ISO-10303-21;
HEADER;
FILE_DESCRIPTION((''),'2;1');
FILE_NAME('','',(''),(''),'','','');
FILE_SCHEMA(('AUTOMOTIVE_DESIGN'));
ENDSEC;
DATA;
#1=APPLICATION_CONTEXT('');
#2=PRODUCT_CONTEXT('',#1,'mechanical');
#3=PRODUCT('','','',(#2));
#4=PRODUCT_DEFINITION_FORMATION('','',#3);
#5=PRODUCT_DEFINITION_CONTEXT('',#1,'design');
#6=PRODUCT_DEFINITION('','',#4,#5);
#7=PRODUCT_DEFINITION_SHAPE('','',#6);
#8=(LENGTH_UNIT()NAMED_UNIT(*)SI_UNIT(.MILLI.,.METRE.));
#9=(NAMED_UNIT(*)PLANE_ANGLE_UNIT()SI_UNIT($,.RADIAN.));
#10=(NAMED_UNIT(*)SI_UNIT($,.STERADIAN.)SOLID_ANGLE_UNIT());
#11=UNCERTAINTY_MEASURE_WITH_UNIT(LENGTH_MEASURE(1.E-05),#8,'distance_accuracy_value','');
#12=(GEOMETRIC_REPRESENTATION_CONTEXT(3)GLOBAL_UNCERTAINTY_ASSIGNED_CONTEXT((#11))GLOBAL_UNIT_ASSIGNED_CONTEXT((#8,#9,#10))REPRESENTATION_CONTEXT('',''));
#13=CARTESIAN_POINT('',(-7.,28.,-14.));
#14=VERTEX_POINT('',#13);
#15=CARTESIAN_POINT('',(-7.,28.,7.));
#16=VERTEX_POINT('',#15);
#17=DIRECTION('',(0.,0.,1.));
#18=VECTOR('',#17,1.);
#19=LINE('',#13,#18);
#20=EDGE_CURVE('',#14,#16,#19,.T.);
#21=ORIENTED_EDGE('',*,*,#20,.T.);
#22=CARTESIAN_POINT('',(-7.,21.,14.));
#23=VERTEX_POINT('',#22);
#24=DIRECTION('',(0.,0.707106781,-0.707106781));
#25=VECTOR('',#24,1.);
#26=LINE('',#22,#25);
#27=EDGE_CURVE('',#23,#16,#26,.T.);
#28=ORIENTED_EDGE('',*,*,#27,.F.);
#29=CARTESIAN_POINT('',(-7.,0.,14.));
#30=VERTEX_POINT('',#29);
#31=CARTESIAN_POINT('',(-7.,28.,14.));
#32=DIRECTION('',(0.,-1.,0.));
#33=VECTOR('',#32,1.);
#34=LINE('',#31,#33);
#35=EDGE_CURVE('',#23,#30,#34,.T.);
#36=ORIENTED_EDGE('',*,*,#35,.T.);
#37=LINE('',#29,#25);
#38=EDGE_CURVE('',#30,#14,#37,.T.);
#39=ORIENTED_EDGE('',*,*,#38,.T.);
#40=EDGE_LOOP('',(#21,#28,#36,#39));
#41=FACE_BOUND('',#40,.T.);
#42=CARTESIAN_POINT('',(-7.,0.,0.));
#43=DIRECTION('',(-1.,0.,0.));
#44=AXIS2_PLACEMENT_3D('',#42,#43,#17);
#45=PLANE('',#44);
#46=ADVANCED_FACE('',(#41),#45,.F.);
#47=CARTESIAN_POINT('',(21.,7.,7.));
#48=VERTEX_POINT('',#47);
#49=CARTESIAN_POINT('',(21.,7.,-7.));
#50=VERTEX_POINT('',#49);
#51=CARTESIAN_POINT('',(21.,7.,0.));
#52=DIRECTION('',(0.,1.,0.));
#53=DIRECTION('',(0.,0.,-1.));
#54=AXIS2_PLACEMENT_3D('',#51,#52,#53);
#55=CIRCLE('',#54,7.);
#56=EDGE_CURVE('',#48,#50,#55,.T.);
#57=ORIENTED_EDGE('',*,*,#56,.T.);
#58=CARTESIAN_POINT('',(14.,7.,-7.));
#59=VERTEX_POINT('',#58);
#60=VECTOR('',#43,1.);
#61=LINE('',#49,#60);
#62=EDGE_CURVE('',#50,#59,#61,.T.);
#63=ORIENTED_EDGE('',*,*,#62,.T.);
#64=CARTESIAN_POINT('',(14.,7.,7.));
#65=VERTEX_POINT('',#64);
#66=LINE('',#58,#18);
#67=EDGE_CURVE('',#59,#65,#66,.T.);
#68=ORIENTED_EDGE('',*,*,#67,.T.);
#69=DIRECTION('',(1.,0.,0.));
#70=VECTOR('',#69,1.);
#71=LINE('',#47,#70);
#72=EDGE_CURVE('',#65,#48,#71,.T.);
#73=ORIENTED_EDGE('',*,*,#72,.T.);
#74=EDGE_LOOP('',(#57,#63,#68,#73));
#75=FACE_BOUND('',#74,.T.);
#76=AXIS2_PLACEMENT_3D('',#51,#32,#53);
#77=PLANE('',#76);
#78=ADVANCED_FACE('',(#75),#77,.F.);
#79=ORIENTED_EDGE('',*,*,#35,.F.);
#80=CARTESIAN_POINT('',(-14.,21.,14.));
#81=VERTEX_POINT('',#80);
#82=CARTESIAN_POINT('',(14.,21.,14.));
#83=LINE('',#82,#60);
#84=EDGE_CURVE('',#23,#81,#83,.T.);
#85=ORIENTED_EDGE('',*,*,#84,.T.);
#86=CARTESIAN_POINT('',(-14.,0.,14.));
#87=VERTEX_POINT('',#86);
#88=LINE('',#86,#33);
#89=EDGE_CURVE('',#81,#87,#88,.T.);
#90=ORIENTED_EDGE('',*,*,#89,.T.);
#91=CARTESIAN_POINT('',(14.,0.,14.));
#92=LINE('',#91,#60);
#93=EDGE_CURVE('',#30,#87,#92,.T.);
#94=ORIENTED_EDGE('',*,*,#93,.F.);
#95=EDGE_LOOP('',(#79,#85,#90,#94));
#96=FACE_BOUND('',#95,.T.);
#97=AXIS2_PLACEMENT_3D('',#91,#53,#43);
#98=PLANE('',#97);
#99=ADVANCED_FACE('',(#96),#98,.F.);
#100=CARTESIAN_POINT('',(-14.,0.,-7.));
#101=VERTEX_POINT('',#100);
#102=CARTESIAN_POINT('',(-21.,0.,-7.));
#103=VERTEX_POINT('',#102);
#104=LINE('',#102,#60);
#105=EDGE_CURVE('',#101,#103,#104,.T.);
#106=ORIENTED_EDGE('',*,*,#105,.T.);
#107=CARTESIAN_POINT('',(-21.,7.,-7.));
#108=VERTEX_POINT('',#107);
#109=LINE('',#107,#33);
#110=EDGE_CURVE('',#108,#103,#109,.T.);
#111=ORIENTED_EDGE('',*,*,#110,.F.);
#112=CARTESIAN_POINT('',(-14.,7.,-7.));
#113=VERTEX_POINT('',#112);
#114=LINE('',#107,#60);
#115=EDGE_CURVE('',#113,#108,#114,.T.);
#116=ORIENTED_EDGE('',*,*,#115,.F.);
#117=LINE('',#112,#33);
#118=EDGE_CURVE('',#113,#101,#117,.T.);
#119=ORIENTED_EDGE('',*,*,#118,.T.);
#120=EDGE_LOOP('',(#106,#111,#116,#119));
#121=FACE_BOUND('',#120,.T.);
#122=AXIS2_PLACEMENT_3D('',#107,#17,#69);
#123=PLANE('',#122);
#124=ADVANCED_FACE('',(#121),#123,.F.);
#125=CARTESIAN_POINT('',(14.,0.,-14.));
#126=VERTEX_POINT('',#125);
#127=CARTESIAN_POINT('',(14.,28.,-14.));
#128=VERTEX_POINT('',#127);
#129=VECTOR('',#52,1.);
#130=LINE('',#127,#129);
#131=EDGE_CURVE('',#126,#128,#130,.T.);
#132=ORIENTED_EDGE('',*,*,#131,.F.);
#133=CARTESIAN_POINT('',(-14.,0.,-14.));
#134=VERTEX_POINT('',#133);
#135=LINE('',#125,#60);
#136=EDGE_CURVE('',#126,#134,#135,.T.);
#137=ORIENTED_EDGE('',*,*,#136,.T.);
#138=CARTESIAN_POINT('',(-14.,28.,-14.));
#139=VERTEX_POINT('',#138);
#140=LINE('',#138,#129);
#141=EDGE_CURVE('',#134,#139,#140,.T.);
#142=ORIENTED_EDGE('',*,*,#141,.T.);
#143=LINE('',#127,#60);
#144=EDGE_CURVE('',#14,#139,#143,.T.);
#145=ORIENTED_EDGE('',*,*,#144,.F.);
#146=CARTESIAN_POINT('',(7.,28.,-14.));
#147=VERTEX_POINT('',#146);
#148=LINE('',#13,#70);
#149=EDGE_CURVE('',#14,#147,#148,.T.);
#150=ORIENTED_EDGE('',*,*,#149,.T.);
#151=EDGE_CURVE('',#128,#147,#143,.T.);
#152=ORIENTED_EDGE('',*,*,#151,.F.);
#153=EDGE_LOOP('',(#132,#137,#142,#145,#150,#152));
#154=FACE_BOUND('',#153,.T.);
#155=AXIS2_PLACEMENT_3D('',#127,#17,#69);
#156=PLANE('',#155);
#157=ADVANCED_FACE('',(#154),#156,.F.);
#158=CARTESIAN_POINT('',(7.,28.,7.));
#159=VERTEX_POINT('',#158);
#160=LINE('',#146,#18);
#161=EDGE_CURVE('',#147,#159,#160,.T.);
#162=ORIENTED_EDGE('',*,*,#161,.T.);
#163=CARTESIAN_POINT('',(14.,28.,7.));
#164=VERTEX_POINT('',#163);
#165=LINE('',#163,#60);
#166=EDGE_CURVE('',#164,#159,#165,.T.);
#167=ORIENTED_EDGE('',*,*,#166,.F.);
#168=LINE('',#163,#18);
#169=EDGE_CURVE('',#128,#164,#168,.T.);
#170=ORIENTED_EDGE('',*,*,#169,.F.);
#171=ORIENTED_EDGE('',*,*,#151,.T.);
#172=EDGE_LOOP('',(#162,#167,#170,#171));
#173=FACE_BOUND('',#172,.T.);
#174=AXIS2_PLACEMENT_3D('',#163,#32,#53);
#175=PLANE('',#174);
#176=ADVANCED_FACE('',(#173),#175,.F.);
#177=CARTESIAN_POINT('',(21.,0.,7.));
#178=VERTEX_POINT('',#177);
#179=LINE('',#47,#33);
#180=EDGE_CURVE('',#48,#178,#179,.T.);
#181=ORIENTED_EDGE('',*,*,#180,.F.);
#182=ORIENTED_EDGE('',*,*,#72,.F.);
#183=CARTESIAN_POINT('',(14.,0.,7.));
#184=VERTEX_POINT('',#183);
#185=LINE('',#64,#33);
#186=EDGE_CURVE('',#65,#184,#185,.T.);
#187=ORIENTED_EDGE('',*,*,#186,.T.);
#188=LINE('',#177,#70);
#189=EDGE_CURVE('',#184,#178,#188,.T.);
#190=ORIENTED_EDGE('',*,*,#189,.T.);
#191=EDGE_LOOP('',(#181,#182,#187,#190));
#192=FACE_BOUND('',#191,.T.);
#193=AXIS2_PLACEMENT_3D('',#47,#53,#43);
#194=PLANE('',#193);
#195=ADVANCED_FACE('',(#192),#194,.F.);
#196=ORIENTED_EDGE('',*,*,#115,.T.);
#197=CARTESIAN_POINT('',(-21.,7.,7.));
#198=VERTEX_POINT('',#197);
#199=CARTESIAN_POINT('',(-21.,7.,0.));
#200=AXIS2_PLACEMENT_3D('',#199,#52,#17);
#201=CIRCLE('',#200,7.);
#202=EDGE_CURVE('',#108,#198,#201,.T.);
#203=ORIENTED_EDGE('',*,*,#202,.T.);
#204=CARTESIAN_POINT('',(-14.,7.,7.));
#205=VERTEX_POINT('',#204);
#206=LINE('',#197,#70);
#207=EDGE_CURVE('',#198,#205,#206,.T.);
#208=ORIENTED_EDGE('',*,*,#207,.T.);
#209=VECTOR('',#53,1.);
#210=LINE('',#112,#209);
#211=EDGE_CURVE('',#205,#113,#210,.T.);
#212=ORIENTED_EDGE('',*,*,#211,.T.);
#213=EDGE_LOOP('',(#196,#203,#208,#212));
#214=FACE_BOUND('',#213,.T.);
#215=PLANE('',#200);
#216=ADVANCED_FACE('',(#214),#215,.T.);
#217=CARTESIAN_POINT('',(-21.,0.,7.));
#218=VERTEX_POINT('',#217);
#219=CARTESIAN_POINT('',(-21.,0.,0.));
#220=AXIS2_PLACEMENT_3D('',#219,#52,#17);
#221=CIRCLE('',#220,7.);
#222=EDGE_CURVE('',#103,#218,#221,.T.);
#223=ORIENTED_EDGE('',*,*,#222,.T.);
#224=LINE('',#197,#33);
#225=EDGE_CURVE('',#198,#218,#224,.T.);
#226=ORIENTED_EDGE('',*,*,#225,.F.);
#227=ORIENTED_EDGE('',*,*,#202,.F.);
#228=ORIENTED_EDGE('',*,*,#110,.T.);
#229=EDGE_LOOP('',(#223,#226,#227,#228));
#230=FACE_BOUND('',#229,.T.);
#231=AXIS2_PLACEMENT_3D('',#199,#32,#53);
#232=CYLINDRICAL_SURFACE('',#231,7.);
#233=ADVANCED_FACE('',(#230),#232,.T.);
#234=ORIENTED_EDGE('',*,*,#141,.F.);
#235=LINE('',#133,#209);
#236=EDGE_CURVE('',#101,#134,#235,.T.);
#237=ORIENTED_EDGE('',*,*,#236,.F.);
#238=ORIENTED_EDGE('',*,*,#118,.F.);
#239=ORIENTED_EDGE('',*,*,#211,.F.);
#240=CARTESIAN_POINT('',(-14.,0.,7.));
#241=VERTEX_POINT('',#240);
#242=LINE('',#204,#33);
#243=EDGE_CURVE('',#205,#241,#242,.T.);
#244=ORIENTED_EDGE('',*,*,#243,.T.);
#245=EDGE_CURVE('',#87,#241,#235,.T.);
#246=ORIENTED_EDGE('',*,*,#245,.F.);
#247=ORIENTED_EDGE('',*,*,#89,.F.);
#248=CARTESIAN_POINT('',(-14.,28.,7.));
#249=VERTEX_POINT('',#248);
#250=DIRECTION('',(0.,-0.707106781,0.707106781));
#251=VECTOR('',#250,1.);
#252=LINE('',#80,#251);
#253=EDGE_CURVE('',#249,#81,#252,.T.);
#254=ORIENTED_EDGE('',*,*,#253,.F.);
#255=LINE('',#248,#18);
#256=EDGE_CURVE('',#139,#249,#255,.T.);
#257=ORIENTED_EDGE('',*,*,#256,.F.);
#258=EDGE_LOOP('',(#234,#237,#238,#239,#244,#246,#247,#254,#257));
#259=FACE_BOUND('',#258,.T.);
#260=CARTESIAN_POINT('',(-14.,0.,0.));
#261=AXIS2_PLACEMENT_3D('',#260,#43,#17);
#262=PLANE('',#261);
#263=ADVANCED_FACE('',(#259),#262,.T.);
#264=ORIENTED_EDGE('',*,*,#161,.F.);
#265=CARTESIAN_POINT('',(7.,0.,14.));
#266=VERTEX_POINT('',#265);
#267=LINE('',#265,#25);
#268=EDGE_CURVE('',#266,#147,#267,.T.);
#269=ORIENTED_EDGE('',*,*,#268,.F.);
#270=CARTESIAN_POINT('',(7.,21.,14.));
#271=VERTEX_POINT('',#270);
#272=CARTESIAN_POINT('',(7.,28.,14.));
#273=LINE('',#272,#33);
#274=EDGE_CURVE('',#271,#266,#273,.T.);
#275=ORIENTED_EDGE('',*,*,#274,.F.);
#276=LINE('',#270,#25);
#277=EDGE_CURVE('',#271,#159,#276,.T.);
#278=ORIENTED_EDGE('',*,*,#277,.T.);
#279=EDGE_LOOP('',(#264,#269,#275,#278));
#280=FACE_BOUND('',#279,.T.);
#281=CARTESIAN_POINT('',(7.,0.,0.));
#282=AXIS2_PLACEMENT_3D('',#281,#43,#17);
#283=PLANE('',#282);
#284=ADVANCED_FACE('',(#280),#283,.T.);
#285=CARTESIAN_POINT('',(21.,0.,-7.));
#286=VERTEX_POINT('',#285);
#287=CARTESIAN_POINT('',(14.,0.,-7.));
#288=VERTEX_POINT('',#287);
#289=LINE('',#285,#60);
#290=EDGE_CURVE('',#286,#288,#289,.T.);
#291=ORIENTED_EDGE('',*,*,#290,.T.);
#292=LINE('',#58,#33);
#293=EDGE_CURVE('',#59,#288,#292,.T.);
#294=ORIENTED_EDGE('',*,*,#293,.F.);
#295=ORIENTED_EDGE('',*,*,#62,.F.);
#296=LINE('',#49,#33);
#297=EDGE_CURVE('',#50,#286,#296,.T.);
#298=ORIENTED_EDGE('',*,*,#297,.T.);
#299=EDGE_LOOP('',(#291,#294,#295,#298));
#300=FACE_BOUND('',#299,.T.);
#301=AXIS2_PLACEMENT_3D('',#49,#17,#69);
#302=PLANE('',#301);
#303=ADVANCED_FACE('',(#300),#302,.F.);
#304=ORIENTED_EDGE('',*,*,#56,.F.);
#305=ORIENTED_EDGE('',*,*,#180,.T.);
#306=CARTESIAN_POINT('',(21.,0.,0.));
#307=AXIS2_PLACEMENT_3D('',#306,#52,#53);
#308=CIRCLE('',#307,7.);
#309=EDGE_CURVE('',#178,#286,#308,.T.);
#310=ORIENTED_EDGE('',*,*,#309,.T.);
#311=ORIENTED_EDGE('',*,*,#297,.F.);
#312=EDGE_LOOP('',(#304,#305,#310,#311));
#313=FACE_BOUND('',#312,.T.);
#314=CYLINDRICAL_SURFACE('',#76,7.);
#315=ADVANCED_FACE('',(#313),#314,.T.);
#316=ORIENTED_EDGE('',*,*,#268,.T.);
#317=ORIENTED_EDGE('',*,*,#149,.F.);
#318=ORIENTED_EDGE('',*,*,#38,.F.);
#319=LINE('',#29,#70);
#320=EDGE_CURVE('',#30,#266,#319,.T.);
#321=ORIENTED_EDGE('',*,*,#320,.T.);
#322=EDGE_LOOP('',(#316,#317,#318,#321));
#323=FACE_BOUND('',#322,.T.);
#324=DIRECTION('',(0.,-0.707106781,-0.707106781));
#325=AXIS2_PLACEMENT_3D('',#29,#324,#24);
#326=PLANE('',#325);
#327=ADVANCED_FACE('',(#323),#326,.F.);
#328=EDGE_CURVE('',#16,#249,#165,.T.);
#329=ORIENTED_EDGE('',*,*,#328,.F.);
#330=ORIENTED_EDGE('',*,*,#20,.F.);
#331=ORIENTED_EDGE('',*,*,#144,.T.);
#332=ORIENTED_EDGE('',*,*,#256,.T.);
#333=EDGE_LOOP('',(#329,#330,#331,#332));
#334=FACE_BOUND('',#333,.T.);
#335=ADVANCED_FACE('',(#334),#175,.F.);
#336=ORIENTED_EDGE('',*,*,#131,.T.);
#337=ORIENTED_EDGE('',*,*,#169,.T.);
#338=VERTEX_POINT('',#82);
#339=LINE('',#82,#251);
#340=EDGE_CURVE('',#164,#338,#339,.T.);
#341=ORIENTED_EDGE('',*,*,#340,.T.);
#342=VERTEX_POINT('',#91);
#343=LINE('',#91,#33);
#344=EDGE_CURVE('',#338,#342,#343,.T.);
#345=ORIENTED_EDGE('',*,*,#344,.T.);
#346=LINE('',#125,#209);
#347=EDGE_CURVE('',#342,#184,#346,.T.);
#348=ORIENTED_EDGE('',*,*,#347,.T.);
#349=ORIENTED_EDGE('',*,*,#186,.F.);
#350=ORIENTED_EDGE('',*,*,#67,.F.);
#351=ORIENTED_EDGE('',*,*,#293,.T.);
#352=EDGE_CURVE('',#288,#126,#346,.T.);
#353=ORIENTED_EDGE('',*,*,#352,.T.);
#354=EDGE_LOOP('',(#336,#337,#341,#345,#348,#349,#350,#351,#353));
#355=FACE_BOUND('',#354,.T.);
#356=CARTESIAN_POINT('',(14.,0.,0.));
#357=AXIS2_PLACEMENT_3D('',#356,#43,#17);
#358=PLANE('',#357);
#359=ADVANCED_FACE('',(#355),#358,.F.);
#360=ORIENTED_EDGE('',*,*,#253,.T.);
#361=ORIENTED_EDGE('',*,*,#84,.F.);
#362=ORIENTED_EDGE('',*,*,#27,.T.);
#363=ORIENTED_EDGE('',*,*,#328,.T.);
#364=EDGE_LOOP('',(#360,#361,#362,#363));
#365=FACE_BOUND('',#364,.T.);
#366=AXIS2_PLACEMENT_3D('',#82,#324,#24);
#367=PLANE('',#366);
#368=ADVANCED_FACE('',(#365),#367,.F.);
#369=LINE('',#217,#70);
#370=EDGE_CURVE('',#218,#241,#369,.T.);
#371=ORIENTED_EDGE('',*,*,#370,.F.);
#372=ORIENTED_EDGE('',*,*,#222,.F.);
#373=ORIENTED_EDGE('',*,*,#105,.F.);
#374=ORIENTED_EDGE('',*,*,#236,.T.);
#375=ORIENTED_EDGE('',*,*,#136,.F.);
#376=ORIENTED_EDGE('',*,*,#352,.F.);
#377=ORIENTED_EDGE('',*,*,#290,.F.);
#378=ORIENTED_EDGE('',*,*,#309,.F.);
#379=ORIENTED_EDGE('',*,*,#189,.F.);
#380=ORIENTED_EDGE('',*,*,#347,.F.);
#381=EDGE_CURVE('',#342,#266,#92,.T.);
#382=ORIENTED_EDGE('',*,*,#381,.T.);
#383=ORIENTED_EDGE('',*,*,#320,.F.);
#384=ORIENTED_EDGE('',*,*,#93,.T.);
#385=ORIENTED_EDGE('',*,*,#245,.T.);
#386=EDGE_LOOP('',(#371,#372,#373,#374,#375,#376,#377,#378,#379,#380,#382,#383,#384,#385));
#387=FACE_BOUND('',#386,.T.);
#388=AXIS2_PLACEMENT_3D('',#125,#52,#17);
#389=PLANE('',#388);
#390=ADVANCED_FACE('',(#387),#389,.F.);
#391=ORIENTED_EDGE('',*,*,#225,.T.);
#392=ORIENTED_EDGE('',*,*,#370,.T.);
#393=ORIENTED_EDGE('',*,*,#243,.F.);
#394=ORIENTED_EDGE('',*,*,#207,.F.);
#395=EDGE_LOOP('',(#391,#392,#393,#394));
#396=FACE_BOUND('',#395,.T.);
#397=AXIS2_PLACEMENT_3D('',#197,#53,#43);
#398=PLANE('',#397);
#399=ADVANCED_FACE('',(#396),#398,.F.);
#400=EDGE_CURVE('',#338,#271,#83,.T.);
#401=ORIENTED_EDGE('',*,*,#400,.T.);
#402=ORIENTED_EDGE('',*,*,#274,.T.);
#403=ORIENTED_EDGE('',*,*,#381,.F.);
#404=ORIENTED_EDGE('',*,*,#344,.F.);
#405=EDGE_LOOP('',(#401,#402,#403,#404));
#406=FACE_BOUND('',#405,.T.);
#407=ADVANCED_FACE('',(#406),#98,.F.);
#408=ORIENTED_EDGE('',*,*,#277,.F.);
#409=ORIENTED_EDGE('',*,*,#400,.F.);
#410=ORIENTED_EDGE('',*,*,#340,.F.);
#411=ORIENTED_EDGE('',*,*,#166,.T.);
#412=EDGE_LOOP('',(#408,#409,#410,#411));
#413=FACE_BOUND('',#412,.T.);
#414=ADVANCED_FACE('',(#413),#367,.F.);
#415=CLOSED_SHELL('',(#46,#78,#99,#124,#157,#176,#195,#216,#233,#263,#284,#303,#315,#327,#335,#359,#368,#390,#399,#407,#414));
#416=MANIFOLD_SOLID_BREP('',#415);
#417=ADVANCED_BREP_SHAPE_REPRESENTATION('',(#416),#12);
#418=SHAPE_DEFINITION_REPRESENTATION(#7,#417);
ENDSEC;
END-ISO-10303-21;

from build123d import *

# Parameters (mm, degrees)
EXTRUDE_1_DEPTH     = 14
CUT_EXTRUDE_1_DEPTH = 7
EXTRUDE_2_DEPTH     = 7


with BuildPart() as part:
    # 스케치1 → 보스-돌출1 (new body, symmetric)
    with BuildSketch(Plane(origin=(0, 0, 0), x_dir=(0, 0, -1), z_dir=(1, 0, 0))):
        Polygon((14, 0), (-14, 0), (-14, 21), (-7, 28), (14, 28), align=None)
    extrude(amount=EXTRUDE_1_DEPTH, both=True)

    # 스케치2 → 컷-돌출1 (cut, symmetric)
    with BuildSketch(Plane(origin=(0, 0, 0), x_dir=(0, 0, -1), z_dir=(1, 0, 0))):
        Polygon((-14, 0), (14, 28), (-14, 28), align=None)
    extrude(amount=CUT_EXTRUDE_1_DEPTH, both=True, mode=Mode.SUBTRACT)

    # 스케치3 → 보스-돌출2 (add)
    with BuildSketch(Plane(origin=(0, 0, 0), x_dir=(1, 0, 0), z_dir=(0, 1, 0))):
        with BuildLine():
            Line((-21, 7), (-14, 7))
            Line((-14, 7), (-14, -7))
            Line((-14, -7), (-21, -7))
            ThreePointArc((-21, -7), (-28, 0), (-21, 7))
        make_face()
        with BuildLine():
            Line((14, 7), (14, -7))
            Line((14, -7), (21, -7))
            ThreePointArc((21, -7), (28, 0), (21, 7))
            Line((21, 7), (14, 7))
        make_face()
    extrude(amount=EXTRUDE_2_DEPTH)


solid = part.part
